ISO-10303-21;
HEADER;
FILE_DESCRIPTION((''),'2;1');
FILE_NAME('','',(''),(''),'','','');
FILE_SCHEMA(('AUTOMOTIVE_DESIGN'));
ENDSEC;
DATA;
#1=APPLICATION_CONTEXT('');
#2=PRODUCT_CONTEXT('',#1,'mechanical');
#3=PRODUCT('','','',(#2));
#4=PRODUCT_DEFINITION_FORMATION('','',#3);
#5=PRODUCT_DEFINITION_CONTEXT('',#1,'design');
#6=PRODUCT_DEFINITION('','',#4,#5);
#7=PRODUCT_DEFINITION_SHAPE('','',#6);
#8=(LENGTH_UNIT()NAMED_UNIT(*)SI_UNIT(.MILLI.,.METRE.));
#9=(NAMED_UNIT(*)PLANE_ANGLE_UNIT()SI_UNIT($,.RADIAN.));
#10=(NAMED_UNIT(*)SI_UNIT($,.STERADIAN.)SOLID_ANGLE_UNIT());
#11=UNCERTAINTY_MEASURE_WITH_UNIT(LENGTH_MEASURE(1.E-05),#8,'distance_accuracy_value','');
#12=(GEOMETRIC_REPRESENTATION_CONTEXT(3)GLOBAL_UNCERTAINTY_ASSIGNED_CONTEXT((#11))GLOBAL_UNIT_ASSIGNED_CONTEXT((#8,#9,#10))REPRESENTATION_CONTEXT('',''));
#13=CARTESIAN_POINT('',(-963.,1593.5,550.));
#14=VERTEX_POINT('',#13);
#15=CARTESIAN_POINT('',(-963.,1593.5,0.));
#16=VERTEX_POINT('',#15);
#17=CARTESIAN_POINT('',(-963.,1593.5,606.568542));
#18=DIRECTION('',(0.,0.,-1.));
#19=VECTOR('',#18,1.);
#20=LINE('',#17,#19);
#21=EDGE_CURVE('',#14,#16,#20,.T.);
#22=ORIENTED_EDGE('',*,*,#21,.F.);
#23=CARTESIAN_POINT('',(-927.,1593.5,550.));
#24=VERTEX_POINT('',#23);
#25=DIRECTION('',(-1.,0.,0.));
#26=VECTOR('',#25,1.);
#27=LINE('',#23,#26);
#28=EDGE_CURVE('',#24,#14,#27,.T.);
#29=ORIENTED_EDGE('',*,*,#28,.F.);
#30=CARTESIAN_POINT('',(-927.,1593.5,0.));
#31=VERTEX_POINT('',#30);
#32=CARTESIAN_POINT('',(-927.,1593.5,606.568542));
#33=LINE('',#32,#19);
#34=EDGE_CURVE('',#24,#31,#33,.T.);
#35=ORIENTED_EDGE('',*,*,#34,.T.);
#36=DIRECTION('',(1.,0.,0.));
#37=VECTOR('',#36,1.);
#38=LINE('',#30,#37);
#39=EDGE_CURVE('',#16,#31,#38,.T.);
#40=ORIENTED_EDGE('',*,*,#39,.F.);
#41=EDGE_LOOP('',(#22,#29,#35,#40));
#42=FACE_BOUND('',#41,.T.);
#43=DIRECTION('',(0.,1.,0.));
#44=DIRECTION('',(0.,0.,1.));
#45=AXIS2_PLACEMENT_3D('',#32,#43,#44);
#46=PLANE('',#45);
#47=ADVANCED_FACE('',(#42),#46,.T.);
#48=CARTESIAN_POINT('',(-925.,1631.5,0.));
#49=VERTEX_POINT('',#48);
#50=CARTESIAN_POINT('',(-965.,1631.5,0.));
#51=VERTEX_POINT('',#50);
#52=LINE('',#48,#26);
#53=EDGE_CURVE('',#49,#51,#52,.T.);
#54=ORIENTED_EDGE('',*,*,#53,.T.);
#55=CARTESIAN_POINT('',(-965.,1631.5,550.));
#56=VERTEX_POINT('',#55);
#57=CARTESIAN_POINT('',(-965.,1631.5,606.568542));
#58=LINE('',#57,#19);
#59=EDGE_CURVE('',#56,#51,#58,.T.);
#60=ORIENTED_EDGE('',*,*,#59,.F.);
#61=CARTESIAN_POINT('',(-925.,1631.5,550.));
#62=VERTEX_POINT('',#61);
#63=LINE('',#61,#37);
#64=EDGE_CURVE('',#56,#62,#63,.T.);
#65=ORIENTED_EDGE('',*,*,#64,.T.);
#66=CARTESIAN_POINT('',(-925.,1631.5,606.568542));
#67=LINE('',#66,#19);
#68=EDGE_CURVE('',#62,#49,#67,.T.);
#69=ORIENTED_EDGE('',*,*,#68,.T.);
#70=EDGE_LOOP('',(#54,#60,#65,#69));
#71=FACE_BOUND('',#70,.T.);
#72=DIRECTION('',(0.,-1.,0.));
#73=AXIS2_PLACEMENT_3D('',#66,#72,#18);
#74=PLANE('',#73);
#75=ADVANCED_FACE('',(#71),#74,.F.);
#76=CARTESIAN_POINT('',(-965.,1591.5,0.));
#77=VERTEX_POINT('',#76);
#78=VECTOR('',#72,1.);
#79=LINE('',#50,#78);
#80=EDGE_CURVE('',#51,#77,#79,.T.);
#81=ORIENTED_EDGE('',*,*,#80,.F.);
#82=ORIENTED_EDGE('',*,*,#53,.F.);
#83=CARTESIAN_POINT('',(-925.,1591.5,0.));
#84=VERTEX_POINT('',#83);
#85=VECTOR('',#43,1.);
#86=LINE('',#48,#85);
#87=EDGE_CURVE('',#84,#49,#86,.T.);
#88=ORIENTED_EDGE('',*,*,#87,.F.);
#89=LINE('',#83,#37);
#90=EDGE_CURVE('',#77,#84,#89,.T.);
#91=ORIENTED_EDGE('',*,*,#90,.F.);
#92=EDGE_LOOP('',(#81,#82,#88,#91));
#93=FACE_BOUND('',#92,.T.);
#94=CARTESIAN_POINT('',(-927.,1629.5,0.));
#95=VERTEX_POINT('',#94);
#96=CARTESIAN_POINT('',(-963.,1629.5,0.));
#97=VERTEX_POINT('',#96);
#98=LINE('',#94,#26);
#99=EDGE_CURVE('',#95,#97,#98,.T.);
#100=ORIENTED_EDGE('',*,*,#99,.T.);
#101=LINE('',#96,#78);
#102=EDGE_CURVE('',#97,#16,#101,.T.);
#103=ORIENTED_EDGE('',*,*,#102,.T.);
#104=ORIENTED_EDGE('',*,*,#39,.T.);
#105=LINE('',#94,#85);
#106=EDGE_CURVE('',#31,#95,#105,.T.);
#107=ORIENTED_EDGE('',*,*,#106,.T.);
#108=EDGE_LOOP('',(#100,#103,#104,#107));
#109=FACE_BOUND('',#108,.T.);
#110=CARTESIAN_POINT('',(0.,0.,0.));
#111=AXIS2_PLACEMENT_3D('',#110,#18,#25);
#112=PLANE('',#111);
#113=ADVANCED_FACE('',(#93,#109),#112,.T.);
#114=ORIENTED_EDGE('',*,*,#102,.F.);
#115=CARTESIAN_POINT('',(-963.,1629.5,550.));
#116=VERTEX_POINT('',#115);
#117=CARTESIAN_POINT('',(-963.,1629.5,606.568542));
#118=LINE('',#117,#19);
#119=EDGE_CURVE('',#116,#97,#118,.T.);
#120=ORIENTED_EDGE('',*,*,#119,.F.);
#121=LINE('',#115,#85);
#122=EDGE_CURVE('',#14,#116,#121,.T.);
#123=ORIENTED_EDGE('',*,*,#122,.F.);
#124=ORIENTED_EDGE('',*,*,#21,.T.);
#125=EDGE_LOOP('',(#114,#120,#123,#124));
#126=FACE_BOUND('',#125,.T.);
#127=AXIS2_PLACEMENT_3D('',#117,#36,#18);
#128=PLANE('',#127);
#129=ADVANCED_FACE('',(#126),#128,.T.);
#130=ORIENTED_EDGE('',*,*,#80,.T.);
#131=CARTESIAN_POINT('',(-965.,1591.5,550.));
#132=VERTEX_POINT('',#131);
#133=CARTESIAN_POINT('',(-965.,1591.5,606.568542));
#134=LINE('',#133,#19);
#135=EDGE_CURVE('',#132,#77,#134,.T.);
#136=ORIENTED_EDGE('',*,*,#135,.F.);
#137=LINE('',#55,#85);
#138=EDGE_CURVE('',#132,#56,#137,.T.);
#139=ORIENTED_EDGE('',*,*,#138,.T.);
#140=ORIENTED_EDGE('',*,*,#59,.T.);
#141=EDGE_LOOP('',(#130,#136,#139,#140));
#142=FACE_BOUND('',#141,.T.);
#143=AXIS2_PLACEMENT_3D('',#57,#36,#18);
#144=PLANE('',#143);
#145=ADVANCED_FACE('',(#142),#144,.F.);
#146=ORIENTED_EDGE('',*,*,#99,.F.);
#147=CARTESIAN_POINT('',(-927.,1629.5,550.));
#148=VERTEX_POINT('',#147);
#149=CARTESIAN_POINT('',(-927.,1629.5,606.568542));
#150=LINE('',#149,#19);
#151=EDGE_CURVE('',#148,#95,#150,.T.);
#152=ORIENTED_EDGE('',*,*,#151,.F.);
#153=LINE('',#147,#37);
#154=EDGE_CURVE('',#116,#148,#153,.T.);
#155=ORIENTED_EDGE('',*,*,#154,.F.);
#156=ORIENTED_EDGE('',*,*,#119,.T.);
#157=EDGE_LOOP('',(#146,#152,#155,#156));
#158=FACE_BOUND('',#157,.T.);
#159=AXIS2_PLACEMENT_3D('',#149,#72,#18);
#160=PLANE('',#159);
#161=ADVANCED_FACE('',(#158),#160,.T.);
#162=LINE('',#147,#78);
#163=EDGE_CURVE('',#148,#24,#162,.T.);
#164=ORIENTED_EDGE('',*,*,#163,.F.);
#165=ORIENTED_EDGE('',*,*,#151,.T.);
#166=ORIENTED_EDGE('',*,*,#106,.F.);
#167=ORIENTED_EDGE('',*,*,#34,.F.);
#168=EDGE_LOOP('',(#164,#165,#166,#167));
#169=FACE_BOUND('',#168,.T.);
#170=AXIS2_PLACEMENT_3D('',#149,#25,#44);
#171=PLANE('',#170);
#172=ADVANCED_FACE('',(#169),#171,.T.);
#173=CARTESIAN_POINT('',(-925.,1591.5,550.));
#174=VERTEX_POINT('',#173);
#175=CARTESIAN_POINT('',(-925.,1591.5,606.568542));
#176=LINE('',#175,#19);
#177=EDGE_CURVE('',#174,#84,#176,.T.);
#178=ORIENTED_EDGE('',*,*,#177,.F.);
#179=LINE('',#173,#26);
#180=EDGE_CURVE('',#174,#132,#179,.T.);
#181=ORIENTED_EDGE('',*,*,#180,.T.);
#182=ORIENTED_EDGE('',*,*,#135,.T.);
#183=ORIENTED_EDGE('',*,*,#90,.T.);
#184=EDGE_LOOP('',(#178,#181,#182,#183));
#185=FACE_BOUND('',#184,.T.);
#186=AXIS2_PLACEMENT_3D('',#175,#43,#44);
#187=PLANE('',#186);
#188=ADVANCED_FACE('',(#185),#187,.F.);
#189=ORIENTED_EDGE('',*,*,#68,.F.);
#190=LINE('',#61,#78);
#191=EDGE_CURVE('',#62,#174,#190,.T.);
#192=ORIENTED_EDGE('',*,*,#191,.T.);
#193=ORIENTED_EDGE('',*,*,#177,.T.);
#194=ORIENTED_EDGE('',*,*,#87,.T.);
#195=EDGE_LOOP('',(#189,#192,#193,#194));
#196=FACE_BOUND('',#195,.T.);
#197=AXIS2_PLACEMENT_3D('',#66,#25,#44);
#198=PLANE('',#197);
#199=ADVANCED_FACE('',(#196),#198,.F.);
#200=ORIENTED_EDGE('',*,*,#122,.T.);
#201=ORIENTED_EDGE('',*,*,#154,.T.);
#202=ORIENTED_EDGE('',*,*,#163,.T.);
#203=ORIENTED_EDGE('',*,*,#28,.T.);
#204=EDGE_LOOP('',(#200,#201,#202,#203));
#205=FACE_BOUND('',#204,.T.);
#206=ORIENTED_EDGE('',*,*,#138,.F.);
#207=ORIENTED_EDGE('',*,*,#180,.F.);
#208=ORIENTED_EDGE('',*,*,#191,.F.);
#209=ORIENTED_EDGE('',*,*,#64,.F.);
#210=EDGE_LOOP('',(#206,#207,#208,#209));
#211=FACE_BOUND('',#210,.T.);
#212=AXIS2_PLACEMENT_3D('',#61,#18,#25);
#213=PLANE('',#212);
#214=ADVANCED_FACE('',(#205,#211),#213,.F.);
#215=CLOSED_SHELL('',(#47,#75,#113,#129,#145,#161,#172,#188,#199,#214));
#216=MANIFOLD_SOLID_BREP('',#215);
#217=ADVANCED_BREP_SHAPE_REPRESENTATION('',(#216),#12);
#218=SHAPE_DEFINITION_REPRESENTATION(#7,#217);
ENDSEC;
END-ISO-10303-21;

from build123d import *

# Parameters (mm, degrees)
SKETCH1_W           = 40
SKETCH1_H           = 40
SKETCH1_W_2         = 36
SKETCH1_H_2         = 36
BOSS_EXTRUDE1_DEPTH = 550


with BuildPart() as part:
    # Sketch1 → Boss-Extrude1 (new body)
    with BuildSketch(Plane.XY):
        with Locations((-945, 1611.5)):
            Rectangle(SKETCH1_W, SKETCH1_H)
        with Locations((-945, 1611.5)):
            Rectangle(SKETCH1_W_2, SKETCH1_H_2, mode=Mode.SUBTRACT)
    extrude(amount=BOSS_EXTRUDE1_DEPTH)


solid = part.part
